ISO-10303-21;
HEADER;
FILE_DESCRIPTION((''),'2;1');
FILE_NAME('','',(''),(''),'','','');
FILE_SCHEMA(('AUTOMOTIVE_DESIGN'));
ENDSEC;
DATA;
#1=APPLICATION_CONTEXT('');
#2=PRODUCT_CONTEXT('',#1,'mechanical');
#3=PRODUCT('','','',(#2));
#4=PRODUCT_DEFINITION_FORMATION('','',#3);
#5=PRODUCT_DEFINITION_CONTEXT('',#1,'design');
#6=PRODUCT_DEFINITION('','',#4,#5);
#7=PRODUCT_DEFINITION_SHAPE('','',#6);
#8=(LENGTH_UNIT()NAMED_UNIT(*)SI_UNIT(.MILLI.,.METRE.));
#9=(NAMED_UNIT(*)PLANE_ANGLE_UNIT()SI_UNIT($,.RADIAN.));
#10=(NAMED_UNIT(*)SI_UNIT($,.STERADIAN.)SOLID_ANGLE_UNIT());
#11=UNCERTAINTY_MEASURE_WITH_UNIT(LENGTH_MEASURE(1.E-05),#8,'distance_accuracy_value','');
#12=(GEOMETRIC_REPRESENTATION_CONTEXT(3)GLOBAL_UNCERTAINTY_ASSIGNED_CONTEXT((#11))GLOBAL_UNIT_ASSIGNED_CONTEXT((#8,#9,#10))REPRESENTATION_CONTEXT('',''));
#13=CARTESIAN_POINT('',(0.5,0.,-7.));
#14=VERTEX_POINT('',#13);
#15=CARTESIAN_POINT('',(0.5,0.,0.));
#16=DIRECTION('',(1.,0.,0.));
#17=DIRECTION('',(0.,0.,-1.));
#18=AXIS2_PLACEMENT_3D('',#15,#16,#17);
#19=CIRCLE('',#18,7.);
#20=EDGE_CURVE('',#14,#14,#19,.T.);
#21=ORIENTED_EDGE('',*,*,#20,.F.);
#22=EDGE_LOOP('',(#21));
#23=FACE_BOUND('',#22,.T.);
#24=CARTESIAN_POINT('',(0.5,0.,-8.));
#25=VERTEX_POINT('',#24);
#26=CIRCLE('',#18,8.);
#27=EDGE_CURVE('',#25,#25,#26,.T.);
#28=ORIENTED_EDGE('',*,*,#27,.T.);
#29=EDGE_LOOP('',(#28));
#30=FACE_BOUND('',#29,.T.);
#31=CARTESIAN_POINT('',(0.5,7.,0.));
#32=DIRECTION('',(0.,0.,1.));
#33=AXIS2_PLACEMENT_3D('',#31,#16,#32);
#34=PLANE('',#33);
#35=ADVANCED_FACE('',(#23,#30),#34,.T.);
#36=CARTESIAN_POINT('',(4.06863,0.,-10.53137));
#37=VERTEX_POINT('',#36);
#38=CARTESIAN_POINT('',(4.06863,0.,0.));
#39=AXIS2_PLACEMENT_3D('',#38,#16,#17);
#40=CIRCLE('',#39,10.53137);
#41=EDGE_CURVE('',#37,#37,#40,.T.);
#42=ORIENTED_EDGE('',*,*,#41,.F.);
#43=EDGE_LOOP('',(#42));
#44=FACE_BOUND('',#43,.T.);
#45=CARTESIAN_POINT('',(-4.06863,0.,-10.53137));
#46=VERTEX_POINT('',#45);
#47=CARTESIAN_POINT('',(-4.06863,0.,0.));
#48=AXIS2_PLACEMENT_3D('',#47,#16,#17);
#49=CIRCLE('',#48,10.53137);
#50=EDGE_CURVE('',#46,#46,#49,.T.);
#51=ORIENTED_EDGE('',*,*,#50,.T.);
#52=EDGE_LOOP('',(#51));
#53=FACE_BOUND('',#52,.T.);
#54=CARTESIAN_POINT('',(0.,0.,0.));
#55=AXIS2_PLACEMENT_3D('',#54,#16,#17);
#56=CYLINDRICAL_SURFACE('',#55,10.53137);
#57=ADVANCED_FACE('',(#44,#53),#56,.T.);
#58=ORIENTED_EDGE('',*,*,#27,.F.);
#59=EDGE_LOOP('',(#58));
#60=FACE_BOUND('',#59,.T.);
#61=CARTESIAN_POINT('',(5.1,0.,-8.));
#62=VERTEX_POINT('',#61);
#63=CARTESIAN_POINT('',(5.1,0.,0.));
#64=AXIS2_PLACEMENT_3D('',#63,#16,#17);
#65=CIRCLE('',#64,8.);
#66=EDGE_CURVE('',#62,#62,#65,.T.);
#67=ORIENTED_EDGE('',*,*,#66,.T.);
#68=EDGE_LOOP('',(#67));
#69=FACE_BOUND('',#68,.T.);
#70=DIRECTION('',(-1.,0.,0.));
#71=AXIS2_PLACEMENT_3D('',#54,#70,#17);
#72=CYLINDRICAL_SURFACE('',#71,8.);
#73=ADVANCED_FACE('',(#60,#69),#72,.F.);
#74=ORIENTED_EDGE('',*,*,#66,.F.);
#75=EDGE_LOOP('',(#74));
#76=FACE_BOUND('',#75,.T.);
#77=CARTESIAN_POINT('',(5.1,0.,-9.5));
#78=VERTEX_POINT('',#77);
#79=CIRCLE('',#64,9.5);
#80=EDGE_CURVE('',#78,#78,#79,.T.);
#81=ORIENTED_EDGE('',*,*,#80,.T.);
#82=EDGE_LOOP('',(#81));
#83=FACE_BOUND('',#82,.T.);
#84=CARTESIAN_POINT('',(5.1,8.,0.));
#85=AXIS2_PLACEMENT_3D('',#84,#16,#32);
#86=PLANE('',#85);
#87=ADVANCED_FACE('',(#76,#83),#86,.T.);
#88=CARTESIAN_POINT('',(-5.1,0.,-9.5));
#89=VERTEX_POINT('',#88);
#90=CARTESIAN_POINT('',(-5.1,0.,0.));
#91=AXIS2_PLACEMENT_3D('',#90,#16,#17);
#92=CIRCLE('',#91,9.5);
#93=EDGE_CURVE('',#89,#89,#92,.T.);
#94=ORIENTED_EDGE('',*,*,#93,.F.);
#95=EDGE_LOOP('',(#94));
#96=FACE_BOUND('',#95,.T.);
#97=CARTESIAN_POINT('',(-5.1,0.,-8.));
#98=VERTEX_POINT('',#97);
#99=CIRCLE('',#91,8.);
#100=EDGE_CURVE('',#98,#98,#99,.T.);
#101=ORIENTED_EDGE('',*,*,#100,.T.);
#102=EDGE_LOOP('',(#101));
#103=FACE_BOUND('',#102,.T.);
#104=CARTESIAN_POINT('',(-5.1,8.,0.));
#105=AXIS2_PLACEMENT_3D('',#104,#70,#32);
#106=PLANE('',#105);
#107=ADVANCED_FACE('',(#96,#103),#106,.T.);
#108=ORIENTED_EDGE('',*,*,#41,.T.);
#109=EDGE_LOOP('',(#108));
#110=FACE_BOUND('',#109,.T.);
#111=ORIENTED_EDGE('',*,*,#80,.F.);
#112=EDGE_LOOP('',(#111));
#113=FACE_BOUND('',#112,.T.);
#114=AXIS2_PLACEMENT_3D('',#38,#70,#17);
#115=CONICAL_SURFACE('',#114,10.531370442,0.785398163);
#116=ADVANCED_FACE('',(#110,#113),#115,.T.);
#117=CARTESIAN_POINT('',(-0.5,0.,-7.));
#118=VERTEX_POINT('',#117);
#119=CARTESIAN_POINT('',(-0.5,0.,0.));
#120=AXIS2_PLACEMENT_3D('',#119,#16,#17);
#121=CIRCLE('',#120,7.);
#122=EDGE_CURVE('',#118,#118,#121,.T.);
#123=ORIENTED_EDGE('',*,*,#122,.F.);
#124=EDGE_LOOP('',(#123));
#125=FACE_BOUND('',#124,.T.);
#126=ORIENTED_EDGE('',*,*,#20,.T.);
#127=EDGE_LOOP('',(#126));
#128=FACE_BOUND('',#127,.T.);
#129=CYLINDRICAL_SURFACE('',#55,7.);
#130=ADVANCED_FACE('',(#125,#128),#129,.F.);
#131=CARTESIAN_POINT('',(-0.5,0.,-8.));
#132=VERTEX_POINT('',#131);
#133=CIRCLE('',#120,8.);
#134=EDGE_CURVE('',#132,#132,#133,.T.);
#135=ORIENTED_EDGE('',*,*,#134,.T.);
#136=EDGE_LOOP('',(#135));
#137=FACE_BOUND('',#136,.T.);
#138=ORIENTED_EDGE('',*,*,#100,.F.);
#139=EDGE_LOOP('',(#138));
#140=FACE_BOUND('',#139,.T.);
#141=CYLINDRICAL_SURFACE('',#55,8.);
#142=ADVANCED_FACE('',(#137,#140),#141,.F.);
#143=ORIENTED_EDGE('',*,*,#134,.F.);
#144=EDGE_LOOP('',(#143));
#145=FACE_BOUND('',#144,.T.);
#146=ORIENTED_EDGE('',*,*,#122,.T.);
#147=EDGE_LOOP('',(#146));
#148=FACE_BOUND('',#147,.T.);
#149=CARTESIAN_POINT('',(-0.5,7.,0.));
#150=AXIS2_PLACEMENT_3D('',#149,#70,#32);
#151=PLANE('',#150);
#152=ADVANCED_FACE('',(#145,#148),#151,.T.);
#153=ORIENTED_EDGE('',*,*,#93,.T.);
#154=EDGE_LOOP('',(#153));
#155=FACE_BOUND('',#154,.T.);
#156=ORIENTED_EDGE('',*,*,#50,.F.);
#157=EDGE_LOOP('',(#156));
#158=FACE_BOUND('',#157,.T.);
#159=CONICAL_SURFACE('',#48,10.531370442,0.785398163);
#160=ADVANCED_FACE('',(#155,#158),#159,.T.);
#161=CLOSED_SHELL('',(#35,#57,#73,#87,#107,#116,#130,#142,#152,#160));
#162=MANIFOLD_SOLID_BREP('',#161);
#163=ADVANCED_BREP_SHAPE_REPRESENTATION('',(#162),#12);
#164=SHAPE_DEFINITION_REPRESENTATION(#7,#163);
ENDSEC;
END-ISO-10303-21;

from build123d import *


with BuildPart() as part:
    # Sketch1 → Revolve1 (revolve)
    with BuildSketch(Plane.XY, mode=Mode.PRIVATE) as revolve1_sk:
        Polygon((0, 7), (-0.5, 7), (-0.5, 8), (-5.1, 8), (-5.1, 9.5), (-4.068629558, 10.531370442), (0, 10.531370442), align=None)
    revolve1 = revolve(revolve1_sk.sketch.rotate(Axis((0, 0, 0), (-1, 0, 0)), 90), axis=Axis((0, 0, 0), (-1, 0, 0)))

    # Mirror1: Revolve1 across plane
    add(revolve1.mirror(Plane(origin=(0, 10.531370442, 0), x_dir=(0, 0, 1), z_dir=(1, 0, 0))))


solid = part.part
